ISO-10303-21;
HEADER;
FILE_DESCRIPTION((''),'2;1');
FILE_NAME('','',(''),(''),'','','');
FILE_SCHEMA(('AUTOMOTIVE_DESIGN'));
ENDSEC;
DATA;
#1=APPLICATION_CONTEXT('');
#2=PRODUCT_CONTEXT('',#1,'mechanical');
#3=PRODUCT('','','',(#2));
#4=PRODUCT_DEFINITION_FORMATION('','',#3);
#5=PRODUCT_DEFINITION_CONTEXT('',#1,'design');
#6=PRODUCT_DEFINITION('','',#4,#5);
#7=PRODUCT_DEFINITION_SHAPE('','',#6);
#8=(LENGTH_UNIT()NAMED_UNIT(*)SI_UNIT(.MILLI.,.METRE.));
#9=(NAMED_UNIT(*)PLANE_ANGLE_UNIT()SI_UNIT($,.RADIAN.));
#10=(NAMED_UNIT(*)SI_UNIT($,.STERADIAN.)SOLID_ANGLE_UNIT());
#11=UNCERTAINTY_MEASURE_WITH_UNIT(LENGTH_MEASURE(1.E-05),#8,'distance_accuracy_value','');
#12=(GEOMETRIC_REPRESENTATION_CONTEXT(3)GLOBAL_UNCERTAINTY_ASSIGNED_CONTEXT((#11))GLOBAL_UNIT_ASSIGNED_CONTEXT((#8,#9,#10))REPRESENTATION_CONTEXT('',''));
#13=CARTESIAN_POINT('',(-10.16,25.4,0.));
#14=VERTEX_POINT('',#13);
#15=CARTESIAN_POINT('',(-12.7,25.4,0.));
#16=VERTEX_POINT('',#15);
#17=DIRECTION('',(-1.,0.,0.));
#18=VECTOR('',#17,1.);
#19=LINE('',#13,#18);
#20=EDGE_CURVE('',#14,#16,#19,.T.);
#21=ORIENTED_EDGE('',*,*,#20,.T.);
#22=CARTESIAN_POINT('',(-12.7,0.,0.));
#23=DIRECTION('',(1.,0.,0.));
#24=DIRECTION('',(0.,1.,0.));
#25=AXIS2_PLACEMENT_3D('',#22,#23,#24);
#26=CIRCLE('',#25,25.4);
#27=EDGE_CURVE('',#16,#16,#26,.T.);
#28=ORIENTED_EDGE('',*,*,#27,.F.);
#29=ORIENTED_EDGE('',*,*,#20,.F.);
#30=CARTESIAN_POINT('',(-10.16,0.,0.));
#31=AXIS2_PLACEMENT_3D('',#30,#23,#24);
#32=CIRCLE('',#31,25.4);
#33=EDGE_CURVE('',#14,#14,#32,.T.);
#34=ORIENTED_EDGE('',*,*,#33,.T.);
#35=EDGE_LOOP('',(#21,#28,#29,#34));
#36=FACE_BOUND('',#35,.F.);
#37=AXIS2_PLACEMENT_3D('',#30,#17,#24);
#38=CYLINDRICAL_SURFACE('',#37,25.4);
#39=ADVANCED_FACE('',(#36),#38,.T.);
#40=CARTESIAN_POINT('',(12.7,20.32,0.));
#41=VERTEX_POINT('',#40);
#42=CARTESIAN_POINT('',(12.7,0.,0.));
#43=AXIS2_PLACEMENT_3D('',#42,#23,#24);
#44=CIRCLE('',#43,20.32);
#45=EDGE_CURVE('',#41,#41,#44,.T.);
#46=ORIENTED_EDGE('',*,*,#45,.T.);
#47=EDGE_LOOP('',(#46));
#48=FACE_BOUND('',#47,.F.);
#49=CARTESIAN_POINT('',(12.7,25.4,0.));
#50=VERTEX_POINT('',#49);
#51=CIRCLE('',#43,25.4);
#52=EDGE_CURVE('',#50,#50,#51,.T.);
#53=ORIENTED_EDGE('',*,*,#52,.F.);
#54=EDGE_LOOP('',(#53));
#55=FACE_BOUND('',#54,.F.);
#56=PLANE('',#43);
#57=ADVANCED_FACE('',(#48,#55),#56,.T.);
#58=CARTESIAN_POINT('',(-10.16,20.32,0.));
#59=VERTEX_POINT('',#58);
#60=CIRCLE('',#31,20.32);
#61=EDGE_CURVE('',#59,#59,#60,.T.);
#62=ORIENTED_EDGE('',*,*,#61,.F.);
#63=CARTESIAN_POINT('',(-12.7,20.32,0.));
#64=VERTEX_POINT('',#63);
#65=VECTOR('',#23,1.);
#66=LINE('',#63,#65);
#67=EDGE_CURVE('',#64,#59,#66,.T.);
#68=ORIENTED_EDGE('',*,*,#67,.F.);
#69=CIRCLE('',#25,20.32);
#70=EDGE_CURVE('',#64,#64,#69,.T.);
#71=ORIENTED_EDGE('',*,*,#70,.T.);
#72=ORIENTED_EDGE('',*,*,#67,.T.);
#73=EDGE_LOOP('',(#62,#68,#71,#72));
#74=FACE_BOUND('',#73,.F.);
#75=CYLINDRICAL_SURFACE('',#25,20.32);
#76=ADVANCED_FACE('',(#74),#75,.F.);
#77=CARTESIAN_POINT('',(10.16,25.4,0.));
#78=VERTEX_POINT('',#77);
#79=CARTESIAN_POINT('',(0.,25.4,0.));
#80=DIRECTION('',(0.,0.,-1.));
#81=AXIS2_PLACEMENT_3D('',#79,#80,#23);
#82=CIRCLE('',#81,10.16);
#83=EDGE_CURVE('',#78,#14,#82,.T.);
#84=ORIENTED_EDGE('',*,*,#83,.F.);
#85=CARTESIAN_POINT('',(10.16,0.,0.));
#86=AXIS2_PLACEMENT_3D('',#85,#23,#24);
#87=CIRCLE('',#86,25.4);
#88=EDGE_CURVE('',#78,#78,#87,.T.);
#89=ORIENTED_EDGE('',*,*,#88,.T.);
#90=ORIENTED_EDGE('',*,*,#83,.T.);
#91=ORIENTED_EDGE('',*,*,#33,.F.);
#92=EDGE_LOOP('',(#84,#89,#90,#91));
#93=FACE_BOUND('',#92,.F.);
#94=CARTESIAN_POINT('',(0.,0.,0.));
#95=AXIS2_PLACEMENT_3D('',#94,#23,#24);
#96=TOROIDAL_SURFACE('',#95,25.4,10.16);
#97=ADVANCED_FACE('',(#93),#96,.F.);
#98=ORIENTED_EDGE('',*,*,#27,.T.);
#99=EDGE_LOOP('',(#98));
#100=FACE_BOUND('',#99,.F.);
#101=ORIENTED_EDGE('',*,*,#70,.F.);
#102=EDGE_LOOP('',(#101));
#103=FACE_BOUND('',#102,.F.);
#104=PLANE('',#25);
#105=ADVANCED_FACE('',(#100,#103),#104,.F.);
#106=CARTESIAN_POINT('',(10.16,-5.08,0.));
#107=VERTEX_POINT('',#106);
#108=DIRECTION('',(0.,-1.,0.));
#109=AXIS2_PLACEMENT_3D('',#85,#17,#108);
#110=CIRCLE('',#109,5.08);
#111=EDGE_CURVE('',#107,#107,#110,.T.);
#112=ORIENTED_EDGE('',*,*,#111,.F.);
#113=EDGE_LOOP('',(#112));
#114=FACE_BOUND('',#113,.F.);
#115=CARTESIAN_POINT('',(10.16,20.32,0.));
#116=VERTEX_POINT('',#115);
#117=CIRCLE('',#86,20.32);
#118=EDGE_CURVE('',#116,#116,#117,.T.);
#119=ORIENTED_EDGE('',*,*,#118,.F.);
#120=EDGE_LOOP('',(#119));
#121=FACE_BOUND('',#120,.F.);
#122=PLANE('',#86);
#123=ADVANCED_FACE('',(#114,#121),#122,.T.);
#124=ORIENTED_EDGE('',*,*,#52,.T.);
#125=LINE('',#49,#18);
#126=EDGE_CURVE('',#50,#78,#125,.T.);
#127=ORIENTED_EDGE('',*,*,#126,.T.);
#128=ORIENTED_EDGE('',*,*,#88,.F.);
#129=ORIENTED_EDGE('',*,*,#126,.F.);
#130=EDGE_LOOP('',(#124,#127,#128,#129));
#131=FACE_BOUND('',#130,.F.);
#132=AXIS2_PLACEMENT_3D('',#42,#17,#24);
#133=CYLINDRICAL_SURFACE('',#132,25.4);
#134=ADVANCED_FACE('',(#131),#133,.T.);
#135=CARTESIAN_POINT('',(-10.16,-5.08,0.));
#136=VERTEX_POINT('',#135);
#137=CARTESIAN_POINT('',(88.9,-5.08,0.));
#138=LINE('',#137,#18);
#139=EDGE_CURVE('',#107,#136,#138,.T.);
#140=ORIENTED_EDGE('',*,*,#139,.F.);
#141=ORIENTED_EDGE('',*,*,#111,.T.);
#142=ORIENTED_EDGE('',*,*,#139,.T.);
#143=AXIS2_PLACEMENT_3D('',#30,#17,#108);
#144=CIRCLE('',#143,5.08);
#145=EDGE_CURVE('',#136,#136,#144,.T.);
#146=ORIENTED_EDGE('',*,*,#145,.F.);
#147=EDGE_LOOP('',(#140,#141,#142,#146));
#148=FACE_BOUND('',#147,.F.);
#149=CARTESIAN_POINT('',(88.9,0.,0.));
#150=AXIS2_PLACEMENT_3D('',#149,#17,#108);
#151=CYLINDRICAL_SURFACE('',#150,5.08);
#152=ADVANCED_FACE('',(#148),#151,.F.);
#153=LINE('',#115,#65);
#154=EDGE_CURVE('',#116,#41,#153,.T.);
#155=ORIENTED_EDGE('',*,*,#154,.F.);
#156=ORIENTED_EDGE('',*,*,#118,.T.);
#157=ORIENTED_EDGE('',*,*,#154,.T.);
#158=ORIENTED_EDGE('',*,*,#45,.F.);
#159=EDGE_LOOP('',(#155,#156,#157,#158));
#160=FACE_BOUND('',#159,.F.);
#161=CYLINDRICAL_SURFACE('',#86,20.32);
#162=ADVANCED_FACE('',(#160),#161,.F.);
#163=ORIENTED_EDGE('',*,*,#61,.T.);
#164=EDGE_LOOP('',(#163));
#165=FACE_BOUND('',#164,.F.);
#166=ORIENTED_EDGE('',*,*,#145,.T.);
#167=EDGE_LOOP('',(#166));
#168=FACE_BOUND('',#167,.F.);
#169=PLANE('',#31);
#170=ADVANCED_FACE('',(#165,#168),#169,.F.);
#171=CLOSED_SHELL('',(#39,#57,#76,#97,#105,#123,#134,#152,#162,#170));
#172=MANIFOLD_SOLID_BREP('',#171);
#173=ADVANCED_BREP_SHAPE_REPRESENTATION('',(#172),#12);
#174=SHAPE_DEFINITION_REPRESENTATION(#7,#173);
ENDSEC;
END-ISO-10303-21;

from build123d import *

# Parameters (mm, degrees)
F4_D = 10.16


with BuildPart() as f2:
    # F0 (on Top) → F2 (revolve)
    with BuildSketch(Plane.XY):
        with BuildLine():
            Line((12.7, 20.32), (12.7, 25.4))
            Line((12.7, 25.4), (10.16, 25.4))
            ThreePointArc((10.16, 25.4), (0, 15.24), (-10.16, 25.4))
            Line((-10.16, 25.4), (-12.7, 25.4))
            Line((-12.7, 25.4), (-12.7, 20.32))
            Line((-12.7, 20.32), (-10.16, 20.32))
            Line((-10.16, 20.32), (-10.16, 0))
            Line((-10.16, 0), (10.16, 0))
            Line((10.16, 0), (10.16, 20.32))
            Line((10.16, 20.32), (12.7, 20.32))
        make_face()
    revolve(axis=Axis((-14.085244, 0, 0), (1, 0, 0)))

    # F4 (through all)
    with Locations(Plane.YZ.offset(12.7)):
        with Locations((0, 0)):
            Hole(F4_D / 2)


solid = f2.part
